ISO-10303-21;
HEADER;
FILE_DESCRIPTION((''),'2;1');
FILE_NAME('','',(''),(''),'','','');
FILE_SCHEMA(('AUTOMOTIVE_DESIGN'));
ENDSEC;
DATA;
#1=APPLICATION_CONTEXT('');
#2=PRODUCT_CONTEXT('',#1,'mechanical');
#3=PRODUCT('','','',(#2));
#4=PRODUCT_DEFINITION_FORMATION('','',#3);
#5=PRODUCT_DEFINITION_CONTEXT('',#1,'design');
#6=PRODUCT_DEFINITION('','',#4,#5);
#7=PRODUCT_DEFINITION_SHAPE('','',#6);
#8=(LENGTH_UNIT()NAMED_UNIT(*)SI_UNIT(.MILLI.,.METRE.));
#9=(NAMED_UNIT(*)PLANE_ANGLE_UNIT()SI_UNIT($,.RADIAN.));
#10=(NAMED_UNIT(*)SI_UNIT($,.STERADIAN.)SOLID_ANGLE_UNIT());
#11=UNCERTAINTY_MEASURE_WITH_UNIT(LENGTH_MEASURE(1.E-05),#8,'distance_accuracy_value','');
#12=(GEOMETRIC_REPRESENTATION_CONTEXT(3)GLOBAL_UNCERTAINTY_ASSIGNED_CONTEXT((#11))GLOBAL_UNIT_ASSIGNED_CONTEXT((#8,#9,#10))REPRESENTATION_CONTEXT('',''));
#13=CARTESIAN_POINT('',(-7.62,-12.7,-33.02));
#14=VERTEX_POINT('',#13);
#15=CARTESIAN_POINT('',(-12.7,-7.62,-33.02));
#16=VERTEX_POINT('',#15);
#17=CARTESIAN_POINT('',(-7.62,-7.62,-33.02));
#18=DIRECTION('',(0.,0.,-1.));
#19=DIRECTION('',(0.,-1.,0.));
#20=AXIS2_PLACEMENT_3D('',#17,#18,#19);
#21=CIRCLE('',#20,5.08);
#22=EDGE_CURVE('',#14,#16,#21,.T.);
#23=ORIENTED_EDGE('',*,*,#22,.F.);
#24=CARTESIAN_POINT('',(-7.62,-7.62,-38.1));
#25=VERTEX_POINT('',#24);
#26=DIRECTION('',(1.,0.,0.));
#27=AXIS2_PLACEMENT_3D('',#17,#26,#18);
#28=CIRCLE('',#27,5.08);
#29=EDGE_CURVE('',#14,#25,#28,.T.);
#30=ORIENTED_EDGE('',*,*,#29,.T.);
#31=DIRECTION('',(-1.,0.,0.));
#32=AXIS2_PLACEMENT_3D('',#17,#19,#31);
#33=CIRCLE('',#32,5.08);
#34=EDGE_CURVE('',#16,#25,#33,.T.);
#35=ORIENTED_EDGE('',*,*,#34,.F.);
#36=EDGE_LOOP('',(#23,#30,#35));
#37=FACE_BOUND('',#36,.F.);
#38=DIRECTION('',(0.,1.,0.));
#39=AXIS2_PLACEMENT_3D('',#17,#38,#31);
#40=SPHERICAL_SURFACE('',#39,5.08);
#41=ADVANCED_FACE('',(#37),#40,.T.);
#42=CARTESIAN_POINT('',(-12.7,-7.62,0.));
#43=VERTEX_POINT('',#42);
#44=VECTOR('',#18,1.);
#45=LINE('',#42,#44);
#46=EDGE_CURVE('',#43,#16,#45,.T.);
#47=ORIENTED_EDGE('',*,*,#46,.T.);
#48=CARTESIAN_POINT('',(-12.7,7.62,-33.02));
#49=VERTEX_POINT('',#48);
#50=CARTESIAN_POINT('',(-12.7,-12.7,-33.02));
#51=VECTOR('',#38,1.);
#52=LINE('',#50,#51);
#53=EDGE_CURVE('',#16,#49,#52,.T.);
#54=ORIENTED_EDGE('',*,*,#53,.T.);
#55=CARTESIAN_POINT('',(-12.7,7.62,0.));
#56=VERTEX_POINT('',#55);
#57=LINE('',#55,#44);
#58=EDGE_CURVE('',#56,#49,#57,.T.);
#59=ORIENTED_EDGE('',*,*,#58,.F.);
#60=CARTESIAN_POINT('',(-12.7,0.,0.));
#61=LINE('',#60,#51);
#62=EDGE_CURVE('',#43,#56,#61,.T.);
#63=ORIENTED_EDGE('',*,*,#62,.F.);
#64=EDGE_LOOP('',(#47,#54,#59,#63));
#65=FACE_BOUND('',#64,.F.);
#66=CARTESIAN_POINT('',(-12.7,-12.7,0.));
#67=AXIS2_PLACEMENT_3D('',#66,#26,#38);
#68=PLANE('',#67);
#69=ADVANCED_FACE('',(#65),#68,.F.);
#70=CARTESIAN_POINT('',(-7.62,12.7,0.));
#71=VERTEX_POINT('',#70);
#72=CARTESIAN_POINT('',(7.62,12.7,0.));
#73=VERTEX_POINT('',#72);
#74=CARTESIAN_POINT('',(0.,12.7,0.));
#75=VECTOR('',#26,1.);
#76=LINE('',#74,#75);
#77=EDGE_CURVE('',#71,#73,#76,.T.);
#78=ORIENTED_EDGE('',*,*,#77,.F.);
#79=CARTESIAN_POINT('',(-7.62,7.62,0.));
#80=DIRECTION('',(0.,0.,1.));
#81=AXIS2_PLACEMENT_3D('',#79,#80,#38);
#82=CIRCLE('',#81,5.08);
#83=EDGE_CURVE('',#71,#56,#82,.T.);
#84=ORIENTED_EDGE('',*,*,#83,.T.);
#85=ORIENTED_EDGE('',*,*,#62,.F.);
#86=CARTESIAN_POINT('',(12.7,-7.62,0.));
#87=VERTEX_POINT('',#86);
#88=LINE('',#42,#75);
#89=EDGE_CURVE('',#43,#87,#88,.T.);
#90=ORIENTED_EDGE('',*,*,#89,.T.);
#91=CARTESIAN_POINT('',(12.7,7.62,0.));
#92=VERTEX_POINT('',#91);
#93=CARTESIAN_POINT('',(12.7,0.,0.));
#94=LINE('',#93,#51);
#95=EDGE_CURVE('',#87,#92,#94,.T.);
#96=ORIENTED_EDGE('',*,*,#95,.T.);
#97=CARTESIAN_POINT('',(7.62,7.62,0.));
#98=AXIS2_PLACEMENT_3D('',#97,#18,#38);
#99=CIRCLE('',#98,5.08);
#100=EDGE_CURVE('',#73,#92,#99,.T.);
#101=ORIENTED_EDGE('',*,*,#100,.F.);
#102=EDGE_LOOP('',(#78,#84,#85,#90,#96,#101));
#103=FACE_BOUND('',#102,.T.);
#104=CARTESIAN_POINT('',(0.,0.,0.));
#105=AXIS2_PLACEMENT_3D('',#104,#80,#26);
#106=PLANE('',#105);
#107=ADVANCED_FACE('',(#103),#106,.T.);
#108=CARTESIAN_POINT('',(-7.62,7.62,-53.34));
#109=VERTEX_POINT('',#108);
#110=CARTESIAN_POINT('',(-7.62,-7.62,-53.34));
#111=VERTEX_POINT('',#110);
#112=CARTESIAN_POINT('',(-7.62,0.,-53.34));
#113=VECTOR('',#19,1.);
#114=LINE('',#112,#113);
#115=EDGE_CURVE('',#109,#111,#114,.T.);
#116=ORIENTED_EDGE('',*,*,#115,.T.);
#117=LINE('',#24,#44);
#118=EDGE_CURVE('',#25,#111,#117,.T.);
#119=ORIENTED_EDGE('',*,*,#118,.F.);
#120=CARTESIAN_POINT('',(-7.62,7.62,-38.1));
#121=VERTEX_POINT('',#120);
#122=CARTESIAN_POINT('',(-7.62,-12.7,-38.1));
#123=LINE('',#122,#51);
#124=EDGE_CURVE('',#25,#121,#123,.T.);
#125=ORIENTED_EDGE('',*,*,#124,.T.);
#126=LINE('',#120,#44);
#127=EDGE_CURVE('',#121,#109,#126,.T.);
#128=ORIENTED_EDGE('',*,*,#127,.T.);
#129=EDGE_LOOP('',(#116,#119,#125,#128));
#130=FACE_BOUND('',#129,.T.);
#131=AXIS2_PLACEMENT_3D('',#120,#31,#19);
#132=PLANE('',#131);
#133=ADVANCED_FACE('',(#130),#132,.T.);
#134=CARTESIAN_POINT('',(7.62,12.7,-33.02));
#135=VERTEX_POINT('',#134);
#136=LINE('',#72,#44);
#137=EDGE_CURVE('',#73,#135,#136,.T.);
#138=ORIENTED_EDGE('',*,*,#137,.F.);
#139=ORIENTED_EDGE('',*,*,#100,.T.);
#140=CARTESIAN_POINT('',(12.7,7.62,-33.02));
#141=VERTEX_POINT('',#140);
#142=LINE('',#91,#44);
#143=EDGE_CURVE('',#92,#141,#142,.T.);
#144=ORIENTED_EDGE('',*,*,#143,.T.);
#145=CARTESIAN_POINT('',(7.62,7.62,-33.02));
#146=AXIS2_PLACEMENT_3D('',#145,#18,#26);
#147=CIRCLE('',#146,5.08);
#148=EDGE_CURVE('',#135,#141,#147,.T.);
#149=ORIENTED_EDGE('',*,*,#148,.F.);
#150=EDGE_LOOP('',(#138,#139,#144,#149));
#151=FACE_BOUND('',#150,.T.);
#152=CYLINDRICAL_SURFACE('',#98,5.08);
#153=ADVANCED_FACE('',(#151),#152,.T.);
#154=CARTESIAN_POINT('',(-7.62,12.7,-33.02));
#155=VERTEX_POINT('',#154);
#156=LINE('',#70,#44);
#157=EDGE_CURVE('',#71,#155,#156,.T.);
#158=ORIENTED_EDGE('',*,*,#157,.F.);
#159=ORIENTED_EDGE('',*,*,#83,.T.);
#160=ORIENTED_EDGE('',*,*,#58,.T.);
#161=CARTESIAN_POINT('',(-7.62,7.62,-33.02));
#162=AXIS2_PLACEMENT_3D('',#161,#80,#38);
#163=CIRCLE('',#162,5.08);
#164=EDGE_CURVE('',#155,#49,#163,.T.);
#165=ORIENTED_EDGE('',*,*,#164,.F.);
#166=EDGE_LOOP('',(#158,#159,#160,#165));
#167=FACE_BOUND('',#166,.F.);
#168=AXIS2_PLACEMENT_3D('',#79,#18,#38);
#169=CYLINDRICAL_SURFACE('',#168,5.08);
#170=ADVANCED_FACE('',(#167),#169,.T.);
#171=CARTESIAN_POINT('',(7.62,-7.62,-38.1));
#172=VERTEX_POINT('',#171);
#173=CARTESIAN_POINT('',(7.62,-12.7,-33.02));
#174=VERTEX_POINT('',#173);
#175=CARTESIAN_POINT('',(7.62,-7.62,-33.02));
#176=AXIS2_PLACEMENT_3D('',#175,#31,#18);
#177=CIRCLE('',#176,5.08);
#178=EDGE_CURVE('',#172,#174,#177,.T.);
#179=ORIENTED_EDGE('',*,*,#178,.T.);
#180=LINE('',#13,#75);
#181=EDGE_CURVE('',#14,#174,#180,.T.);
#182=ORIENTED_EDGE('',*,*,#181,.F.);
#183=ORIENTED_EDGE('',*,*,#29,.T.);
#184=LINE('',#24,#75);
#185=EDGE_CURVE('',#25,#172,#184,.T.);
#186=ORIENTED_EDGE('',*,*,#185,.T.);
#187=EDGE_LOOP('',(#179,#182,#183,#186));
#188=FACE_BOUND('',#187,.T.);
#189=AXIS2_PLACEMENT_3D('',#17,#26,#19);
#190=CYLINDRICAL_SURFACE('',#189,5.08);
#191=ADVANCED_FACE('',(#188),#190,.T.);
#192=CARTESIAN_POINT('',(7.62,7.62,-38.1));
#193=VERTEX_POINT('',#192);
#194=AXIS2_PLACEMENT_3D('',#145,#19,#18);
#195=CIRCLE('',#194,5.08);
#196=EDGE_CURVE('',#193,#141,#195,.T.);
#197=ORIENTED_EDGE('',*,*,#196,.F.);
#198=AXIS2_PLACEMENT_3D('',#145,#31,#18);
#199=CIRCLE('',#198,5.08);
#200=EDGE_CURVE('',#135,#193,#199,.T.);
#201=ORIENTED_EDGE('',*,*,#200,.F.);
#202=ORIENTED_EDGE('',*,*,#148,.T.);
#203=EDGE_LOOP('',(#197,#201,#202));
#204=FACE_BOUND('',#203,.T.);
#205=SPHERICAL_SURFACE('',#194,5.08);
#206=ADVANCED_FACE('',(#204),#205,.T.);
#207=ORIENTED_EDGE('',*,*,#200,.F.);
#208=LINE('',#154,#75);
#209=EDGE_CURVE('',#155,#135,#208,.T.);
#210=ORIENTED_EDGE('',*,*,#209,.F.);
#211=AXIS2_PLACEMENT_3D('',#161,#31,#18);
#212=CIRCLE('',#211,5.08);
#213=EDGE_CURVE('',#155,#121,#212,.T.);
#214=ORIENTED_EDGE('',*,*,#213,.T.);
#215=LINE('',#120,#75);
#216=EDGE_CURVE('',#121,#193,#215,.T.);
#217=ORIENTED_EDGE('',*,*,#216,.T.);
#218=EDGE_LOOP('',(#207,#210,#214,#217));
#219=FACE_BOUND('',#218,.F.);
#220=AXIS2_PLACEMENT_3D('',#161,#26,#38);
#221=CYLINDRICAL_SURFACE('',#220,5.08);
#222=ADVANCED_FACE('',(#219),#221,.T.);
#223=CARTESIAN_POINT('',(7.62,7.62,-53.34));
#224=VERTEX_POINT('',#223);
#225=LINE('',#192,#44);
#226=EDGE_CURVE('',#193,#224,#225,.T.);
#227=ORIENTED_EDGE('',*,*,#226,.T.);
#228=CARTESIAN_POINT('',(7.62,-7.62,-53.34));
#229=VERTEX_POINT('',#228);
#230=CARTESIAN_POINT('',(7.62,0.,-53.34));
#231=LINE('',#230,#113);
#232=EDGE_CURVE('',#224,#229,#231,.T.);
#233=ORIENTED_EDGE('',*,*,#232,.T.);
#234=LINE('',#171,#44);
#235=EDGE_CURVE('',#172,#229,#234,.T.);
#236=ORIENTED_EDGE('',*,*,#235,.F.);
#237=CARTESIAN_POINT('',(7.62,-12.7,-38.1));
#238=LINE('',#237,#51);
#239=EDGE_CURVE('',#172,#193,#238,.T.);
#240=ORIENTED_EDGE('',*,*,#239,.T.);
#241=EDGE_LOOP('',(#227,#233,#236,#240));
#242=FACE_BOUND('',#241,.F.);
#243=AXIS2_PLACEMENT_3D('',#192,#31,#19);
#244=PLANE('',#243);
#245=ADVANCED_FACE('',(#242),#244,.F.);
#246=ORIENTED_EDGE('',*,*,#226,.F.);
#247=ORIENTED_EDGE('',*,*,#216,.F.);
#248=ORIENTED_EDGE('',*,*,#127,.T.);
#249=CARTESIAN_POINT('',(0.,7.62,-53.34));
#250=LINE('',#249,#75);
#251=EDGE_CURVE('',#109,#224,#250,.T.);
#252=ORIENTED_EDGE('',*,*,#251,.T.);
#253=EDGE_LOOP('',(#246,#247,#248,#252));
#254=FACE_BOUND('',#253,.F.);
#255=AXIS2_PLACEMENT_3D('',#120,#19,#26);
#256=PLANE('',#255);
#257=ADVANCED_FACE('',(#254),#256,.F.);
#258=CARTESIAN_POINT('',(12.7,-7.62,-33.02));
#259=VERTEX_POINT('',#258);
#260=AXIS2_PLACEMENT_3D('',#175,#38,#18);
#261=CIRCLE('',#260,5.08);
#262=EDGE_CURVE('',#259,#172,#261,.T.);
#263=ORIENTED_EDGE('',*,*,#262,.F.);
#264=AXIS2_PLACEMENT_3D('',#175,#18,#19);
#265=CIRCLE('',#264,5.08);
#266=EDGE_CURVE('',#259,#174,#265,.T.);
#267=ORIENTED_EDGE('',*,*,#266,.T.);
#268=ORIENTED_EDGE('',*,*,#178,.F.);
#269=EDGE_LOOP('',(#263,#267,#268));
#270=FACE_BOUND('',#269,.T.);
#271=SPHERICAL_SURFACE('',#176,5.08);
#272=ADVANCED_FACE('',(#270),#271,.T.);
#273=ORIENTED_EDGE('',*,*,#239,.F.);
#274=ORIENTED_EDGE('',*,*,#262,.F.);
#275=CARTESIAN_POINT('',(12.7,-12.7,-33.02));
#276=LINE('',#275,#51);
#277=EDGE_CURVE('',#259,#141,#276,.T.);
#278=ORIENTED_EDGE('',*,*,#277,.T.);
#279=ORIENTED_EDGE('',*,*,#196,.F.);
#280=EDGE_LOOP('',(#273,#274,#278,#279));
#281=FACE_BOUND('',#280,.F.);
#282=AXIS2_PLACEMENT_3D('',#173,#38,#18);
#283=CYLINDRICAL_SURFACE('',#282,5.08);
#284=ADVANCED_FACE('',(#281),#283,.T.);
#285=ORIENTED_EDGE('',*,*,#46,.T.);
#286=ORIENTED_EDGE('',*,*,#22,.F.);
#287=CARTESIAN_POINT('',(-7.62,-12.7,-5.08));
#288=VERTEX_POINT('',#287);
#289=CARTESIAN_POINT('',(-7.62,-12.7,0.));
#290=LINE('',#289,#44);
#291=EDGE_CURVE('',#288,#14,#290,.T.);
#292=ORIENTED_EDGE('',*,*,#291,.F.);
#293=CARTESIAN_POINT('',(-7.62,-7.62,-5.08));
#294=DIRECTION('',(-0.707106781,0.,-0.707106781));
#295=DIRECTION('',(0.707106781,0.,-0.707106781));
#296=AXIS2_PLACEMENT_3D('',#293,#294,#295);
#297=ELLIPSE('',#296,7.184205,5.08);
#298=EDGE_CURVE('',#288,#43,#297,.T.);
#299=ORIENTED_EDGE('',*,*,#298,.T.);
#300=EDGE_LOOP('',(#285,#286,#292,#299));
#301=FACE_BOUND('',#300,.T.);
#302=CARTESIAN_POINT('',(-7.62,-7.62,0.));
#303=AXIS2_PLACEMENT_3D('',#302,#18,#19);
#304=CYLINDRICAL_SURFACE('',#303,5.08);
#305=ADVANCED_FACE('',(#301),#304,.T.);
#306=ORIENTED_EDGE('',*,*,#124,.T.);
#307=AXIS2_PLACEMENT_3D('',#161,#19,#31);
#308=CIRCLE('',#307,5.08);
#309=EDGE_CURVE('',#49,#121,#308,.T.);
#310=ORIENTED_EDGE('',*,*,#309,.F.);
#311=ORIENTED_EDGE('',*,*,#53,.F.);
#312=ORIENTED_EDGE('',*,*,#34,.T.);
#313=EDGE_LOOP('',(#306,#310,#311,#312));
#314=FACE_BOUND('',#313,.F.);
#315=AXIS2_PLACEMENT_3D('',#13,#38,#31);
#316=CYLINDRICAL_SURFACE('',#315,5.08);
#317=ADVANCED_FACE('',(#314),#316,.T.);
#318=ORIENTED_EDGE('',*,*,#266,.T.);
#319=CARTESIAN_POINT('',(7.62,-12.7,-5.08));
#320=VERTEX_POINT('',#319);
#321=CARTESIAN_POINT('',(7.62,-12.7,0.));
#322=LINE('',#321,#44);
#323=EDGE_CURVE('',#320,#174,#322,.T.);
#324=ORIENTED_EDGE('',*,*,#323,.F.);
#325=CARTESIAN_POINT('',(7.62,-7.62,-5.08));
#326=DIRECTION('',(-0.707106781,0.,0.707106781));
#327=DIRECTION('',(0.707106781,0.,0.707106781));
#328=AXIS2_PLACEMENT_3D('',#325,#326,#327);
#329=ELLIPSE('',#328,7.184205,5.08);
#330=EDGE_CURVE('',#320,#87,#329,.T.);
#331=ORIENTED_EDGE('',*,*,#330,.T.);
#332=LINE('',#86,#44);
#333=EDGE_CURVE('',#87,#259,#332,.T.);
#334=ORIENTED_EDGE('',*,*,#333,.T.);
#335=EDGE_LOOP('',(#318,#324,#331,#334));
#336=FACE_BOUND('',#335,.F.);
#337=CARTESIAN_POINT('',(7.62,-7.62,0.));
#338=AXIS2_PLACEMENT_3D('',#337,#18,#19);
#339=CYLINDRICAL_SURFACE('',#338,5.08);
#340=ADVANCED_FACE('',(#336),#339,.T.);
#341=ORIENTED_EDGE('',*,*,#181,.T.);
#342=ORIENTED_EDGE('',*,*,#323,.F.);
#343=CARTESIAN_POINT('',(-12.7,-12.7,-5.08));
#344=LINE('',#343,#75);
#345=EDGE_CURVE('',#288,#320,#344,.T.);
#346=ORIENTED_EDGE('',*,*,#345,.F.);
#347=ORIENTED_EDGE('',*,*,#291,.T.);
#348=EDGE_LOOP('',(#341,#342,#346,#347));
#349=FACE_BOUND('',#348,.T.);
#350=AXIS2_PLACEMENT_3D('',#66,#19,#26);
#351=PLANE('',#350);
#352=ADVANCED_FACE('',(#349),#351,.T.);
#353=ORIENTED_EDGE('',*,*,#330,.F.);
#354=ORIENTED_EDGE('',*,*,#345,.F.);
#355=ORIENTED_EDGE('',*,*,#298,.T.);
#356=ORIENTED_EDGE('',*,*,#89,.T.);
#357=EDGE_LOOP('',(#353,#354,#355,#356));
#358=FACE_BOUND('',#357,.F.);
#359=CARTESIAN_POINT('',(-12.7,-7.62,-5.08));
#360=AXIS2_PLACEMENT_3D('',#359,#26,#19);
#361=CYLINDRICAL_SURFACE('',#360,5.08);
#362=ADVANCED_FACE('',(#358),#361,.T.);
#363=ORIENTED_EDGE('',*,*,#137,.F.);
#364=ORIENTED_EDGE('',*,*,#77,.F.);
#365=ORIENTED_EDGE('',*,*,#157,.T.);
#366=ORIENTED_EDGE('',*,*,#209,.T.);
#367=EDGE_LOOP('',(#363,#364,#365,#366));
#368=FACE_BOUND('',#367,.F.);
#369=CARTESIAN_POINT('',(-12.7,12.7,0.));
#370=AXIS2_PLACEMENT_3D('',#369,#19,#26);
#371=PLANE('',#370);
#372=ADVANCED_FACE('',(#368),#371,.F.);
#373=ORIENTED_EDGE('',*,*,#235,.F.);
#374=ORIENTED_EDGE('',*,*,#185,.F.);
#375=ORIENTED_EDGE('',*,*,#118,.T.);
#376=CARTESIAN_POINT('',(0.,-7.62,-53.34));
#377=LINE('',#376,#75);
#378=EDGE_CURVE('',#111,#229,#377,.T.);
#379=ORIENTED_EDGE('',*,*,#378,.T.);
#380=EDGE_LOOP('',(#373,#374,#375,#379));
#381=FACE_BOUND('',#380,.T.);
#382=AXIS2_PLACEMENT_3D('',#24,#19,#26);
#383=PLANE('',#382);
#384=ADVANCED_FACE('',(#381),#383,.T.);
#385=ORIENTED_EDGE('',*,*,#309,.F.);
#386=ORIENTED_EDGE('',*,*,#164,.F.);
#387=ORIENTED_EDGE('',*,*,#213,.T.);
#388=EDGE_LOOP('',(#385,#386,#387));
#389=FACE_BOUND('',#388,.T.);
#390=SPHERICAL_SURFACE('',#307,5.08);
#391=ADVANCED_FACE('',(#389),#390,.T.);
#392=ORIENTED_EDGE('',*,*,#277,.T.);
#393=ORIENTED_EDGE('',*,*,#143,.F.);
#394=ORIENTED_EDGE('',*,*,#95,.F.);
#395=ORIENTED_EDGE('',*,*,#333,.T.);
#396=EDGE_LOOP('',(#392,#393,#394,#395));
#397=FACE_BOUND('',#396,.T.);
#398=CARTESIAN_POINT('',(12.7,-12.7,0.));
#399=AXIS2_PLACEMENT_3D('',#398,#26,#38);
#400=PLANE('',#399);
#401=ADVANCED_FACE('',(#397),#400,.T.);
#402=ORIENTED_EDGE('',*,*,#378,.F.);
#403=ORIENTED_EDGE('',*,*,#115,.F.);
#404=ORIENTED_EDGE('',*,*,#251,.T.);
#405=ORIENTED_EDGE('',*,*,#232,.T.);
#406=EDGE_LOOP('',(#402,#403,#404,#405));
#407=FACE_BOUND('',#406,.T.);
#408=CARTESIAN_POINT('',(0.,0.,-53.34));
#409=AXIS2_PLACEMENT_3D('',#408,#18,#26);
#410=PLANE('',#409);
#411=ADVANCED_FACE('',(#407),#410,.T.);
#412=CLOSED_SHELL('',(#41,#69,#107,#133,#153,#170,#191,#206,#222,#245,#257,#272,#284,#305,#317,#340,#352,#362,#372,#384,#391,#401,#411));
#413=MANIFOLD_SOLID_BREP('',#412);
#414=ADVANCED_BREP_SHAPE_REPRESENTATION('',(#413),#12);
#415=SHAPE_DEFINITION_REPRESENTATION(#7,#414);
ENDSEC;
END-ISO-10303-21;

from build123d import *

# Parameters (mm, degrees)
F0_W      = 25.4
F0_H      = 25.4
F1_DEPTH  = 38.1
F2_R      = 5.08
F3_R      = 5.08
F1_FACE_W = 15.24
F1_FACE_H = 15.24
F4_DEPTH  = 15.24


with BuildPart() as f1:
    # F0 (on Top) → F1 (new body)
    with BuildSketch(Plane.XY):
        Rectangle(F0_W, F0_H)
    extrude(amount=-F1_DEPTH)

    # F2
    f2_edges = [f1.edges().sort_by_distance(p)[0] for p in [
        (-12.7, 0, -38.1),
    ]]
    fillet(f2_edges, radius=F2_R)

    # F3
    f3_edges = [f1.edges().sort_by_distance(p)[0] for p in [
        (2.54, -12.7, -38.1),
        (-7.62, 0, -38.1),
        (12.7, 0, -38.1),
        (2.54, 12.7, -38.1),
        (-12.7, -12.7, -16.51),
        (-11.212102, -12.7, -36.612102),
        (0, -12.7, 0),
        (12.7, -12.7, -19.05),
        (12.7, 12.7, -19.05),
    ]]
    fillet(f3_edges, radius=F3_R)

    # F1_face (on face) → F4 (join)
    with BuildSketch(Plane(origin=(0, 0, -38.1), x_dir=(1, 0, 0), z_dir=(0, 0, -1))):
        Rectangle(F1_FACE_W, F1_FACE_H)
    extrude(amount=F4_DEPTH)


solid = f1.part
